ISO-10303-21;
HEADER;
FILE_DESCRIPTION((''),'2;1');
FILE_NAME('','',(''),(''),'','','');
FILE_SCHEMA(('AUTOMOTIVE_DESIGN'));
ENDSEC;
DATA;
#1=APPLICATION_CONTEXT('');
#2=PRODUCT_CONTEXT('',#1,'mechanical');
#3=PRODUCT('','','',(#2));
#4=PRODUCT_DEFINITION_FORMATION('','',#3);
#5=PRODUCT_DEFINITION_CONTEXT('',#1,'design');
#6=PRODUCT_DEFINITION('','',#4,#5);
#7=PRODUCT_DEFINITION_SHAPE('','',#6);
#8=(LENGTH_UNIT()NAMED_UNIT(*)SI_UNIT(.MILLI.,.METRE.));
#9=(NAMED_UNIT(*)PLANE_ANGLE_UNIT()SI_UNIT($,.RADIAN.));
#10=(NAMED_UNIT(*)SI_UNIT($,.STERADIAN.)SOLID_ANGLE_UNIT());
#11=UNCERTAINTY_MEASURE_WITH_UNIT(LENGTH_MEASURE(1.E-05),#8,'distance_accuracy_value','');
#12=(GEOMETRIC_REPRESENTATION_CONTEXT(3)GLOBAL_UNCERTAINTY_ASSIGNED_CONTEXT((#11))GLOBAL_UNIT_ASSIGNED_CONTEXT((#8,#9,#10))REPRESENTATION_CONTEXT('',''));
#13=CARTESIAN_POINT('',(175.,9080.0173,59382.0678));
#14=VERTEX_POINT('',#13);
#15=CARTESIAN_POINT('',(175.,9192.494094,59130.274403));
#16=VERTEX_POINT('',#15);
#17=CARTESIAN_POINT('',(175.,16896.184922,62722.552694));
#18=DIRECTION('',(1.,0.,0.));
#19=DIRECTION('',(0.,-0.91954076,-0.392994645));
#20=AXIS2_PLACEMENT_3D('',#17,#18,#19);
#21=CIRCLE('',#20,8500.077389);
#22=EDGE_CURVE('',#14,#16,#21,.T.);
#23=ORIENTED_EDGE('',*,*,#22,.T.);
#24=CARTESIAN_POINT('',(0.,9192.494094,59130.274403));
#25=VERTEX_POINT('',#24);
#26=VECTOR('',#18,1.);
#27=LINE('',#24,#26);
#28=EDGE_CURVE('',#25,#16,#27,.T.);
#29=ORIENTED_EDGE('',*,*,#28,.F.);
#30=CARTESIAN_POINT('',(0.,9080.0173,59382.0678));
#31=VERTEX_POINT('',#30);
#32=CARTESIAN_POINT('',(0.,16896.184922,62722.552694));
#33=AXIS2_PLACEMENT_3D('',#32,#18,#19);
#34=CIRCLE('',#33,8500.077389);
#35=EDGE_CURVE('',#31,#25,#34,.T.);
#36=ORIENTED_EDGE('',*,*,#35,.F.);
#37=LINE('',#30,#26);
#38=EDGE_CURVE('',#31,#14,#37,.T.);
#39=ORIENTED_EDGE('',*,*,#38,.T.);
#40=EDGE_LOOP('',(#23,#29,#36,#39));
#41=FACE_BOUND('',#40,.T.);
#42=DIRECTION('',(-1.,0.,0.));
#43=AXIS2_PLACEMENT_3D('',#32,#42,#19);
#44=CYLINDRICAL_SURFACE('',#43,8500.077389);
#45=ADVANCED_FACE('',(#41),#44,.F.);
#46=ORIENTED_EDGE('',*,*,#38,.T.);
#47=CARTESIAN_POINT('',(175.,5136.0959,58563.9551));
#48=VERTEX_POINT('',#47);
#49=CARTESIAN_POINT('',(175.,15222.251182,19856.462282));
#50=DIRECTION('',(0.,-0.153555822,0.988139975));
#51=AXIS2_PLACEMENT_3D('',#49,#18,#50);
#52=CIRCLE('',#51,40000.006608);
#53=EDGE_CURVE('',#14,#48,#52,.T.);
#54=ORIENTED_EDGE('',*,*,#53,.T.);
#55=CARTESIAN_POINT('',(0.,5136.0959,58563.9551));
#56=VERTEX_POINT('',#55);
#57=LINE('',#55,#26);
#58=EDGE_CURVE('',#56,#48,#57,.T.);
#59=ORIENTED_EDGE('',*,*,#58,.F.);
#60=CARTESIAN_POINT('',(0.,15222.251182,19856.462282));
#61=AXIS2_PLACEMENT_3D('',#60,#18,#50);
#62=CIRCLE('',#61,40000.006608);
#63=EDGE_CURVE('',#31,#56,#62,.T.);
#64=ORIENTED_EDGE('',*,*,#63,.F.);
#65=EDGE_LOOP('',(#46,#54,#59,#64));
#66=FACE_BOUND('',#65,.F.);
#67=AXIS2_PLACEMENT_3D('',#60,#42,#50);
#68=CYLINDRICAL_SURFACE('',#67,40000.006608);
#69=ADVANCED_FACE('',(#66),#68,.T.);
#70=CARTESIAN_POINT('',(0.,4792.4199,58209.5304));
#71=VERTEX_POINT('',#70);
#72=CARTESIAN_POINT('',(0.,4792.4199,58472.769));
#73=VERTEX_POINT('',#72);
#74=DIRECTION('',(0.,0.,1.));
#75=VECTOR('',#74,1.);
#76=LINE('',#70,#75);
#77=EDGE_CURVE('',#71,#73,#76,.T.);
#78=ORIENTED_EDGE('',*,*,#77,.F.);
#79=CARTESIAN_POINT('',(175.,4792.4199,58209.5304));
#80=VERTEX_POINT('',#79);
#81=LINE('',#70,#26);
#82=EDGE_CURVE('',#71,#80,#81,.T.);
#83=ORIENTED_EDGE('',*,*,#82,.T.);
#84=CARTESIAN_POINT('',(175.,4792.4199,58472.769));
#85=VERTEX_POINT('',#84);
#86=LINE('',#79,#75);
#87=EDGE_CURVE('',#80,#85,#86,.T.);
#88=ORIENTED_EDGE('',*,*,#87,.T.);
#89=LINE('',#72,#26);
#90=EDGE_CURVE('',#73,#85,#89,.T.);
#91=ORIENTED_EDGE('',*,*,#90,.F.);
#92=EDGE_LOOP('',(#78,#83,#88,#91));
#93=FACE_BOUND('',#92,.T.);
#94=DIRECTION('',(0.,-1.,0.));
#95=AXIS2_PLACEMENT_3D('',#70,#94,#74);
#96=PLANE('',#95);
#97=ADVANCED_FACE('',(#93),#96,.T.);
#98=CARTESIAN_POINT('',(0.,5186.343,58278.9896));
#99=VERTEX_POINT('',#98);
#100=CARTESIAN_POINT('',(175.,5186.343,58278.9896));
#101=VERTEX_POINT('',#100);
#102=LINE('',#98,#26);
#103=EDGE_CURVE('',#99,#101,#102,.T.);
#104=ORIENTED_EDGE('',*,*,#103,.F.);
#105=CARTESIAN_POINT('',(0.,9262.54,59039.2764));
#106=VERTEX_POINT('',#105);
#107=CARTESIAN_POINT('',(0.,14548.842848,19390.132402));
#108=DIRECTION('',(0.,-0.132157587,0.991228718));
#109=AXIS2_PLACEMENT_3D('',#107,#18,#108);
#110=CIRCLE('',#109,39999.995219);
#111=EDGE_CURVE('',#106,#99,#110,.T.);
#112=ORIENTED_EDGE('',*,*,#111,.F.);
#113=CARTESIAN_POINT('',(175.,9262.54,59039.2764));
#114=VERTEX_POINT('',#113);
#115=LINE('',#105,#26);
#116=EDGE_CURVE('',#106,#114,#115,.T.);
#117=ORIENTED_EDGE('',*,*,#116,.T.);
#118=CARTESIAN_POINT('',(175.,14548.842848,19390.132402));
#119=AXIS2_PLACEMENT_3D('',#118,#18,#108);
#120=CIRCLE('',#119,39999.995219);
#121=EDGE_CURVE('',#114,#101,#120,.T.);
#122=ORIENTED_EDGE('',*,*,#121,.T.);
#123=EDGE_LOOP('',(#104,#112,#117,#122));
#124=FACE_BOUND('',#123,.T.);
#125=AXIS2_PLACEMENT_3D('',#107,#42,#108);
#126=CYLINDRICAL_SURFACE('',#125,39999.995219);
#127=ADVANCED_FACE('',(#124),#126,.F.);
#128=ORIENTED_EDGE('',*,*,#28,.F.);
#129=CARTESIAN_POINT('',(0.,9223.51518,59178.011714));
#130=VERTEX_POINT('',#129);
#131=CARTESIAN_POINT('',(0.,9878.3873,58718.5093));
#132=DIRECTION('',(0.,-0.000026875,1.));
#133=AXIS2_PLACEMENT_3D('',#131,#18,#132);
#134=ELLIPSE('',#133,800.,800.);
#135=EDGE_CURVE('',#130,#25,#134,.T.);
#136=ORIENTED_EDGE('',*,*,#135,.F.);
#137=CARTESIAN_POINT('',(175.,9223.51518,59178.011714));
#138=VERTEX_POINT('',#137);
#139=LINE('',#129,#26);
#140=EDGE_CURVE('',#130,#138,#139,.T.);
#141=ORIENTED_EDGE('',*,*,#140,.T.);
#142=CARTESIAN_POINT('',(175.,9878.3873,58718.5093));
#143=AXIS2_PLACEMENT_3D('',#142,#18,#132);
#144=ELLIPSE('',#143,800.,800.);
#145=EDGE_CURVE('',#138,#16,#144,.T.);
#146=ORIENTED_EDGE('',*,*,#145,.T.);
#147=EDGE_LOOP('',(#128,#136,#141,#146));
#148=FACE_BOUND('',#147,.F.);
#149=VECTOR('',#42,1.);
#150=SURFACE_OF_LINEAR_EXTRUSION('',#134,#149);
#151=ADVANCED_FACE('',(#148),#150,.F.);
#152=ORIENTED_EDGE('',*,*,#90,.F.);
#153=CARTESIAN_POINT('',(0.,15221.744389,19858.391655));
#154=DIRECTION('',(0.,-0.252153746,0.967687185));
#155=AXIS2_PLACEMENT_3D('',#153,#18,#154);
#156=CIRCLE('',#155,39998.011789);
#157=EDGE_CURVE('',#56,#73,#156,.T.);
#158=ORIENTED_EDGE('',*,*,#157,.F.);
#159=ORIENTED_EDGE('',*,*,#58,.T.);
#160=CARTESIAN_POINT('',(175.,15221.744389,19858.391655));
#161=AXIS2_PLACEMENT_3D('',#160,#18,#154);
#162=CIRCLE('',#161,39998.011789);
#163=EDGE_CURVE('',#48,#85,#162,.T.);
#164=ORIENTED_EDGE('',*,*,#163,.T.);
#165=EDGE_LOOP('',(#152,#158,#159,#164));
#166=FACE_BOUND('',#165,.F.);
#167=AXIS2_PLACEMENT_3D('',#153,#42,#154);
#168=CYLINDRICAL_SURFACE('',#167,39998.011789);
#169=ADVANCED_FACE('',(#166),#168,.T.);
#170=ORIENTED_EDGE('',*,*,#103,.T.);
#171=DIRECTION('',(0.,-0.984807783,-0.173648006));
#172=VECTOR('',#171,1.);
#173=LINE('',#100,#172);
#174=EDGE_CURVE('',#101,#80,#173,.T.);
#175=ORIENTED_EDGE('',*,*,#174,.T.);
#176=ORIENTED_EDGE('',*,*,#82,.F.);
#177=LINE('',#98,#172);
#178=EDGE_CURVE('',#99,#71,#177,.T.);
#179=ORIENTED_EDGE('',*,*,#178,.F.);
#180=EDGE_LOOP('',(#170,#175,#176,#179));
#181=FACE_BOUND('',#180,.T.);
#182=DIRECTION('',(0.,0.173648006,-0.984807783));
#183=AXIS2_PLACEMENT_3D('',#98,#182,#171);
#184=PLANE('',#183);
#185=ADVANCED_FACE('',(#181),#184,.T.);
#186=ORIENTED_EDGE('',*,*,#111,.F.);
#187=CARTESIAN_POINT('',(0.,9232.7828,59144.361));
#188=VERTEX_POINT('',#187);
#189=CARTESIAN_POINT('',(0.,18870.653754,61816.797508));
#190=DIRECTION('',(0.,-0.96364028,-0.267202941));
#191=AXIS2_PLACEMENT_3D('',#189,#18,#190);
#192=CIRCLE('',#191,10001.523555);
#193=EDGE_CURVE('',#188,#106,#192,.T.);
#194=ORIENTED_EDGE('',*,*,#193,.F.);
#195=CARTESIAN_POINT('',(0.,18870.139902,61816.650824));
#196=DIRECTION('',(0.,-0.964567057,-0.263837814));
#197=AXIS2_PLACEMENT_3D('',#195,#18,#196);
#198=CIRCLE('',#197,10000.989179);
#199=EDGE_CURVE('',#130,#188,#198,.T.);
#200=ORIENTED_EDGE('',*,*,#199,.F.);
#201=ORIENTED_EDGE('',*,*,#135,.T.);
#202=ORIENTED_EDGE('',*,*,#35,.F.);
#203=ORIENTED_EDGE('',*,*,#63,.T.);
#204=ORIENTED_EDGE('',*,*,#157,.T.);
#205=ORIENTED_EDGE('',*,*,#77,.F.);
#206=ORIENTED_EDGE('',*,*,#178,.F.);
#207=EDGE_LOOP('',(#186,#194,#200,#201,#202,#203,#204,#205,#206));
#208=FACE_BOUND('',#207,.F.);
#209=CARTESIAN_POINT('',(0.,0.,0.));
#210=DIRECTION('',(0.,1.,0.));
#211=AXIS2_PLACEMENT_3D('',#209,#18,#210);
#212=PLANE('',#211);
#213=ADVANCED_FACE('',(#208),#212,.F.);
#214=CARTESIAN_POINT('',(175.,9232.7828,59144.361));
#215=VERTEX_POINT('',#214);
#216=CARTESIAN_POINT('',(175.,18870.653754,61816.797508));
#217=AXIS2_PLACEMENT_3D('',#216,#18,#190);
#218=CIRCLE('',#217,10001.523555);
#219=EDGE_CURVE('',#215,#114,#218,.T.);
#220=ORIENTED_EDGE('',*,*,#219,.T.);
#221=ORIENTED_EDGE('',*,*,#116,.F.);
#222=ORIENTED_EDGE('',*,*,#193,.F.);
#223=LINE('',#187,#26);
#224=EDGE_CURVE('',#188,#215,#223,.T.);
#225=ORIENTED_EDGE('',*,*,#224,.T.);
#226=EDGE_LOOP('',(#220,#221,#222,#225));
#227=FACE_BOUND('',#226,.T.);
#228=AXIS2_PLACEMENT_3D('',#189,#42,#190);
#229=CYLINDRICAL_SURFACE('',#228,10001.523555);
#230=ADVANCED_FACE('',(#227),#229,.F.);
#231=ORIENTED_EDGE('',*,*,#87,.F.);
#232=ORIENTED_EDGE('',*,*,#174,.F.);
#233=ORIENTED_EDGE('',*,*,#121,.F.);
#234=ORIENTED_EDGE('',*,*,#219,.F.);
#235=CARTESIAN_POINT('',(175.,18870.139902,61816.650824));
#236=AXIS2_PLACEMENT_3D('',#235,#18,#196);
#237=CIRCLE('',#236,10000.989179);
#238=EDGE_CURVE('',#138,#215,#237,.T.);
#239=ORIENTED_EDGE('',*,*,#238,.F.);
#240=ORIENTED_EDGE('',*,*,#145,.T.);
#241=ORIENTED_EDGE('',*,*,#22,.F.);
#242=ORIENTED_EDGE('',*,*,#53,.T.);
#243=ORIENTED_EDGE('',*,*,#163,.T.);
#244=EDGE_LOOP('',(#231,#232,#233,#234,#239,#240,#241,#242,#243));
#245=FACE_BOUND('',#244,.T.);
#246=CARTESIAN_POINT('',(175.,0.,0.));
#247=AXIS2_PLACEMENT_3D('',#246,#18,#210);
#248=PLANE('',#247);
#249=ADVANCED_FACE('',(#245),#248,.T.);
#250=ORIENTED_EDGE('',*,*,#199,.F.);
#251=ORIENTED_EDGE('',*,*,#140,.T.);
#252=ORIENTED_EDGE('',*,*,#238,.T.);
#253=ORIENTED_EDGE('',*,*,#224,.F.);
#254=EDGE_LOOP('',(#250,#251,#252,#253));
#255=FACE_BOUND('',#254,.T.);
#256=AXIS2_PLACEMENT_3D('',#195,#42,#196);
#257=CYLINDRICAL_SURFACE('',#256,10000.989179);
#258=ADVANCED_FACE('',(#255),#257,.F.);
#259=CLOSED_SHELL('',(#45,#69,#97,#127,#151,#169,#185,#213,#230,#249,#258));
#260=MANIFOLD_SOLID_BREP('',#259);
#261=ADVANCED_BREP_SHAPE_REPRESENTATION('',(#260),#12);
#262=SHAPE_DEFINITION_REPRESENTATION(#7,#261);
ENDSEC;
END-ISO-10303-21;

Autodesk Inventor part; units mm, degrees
ref_plane "YZ Plane" through (0, 0, 0) normal (1, 0, 0) x (0, 1, 0)
ref_plane "XZ Plane" through (0, 0, 0) normal (0, 1, 0) x (-1, 0, 0)
ref_plane "XY Plane" through (0, 0, 0) normal (0, 0, 1) x (1, 0, 0)
sketch "Sketch1" plane through (0, 0, 0) normal (1, 0, 0) x (0, 1, 0)
  arc A0 (9232.7828, 59144.361) -> (9262.54, 59039.2764) centre (18869.1867, 61816.3864) ccw
  arc A1 (9080.0173, 59382.0678) -> (9192.4941, 59130.2744) centre (16896.114, 62722.5217) ccw
  arc A2 (9084.1758, 59429.1257) -> (9080.0173, 59382.0678) centre (9125.9944, 59401.7175) ccw
  ellipse E0 centre (9878.3873, 58718.5093) end of major axis (9878.3658, 59518.5093) minor radius 800 (9223.5152, 59178.0117) -> (9192.4941, 59130.2744) ccw
  arc A3 (9223.5152, 59178.0117) -> (9262.54, 59039.2764) centre (18869.1867, 61816.3864) ccw
  arc A4 (9262.54, 59039.2764) -> (5186.343, 58278.9896) centre (14548.8436, 19390.1277) ccw
  arc A5 (9080.0173, 59382.0678) -> (5136.0959, 58563.9551) centre (15222.25, 19856.4688) ccw
  line L0 (5186.343, 58278.9896) -> (4792.4199, 58209.5304)
  line L1 (4792.4199, 58209.5304) -> (4792.4199, 58472.769)
  arc A6 (5136.0959, 58563.9551) -> (4792.4199, 58472.769) centre (15222.25, 19856.4688) ccw
  point P0 (0, 0)
  point P1 (9076.1884, 59406.1188)
  point P2 (9232.7828, 59144.361)
  dimension "d0" = 40000
  dimension "d1" = 40000
  dimension "d2" = 400
extrude "Extrusion1" add sketch "Sketch1" along normal blind 175
properties part number "side_curve_beam_02" material "Wood (Maple)"
